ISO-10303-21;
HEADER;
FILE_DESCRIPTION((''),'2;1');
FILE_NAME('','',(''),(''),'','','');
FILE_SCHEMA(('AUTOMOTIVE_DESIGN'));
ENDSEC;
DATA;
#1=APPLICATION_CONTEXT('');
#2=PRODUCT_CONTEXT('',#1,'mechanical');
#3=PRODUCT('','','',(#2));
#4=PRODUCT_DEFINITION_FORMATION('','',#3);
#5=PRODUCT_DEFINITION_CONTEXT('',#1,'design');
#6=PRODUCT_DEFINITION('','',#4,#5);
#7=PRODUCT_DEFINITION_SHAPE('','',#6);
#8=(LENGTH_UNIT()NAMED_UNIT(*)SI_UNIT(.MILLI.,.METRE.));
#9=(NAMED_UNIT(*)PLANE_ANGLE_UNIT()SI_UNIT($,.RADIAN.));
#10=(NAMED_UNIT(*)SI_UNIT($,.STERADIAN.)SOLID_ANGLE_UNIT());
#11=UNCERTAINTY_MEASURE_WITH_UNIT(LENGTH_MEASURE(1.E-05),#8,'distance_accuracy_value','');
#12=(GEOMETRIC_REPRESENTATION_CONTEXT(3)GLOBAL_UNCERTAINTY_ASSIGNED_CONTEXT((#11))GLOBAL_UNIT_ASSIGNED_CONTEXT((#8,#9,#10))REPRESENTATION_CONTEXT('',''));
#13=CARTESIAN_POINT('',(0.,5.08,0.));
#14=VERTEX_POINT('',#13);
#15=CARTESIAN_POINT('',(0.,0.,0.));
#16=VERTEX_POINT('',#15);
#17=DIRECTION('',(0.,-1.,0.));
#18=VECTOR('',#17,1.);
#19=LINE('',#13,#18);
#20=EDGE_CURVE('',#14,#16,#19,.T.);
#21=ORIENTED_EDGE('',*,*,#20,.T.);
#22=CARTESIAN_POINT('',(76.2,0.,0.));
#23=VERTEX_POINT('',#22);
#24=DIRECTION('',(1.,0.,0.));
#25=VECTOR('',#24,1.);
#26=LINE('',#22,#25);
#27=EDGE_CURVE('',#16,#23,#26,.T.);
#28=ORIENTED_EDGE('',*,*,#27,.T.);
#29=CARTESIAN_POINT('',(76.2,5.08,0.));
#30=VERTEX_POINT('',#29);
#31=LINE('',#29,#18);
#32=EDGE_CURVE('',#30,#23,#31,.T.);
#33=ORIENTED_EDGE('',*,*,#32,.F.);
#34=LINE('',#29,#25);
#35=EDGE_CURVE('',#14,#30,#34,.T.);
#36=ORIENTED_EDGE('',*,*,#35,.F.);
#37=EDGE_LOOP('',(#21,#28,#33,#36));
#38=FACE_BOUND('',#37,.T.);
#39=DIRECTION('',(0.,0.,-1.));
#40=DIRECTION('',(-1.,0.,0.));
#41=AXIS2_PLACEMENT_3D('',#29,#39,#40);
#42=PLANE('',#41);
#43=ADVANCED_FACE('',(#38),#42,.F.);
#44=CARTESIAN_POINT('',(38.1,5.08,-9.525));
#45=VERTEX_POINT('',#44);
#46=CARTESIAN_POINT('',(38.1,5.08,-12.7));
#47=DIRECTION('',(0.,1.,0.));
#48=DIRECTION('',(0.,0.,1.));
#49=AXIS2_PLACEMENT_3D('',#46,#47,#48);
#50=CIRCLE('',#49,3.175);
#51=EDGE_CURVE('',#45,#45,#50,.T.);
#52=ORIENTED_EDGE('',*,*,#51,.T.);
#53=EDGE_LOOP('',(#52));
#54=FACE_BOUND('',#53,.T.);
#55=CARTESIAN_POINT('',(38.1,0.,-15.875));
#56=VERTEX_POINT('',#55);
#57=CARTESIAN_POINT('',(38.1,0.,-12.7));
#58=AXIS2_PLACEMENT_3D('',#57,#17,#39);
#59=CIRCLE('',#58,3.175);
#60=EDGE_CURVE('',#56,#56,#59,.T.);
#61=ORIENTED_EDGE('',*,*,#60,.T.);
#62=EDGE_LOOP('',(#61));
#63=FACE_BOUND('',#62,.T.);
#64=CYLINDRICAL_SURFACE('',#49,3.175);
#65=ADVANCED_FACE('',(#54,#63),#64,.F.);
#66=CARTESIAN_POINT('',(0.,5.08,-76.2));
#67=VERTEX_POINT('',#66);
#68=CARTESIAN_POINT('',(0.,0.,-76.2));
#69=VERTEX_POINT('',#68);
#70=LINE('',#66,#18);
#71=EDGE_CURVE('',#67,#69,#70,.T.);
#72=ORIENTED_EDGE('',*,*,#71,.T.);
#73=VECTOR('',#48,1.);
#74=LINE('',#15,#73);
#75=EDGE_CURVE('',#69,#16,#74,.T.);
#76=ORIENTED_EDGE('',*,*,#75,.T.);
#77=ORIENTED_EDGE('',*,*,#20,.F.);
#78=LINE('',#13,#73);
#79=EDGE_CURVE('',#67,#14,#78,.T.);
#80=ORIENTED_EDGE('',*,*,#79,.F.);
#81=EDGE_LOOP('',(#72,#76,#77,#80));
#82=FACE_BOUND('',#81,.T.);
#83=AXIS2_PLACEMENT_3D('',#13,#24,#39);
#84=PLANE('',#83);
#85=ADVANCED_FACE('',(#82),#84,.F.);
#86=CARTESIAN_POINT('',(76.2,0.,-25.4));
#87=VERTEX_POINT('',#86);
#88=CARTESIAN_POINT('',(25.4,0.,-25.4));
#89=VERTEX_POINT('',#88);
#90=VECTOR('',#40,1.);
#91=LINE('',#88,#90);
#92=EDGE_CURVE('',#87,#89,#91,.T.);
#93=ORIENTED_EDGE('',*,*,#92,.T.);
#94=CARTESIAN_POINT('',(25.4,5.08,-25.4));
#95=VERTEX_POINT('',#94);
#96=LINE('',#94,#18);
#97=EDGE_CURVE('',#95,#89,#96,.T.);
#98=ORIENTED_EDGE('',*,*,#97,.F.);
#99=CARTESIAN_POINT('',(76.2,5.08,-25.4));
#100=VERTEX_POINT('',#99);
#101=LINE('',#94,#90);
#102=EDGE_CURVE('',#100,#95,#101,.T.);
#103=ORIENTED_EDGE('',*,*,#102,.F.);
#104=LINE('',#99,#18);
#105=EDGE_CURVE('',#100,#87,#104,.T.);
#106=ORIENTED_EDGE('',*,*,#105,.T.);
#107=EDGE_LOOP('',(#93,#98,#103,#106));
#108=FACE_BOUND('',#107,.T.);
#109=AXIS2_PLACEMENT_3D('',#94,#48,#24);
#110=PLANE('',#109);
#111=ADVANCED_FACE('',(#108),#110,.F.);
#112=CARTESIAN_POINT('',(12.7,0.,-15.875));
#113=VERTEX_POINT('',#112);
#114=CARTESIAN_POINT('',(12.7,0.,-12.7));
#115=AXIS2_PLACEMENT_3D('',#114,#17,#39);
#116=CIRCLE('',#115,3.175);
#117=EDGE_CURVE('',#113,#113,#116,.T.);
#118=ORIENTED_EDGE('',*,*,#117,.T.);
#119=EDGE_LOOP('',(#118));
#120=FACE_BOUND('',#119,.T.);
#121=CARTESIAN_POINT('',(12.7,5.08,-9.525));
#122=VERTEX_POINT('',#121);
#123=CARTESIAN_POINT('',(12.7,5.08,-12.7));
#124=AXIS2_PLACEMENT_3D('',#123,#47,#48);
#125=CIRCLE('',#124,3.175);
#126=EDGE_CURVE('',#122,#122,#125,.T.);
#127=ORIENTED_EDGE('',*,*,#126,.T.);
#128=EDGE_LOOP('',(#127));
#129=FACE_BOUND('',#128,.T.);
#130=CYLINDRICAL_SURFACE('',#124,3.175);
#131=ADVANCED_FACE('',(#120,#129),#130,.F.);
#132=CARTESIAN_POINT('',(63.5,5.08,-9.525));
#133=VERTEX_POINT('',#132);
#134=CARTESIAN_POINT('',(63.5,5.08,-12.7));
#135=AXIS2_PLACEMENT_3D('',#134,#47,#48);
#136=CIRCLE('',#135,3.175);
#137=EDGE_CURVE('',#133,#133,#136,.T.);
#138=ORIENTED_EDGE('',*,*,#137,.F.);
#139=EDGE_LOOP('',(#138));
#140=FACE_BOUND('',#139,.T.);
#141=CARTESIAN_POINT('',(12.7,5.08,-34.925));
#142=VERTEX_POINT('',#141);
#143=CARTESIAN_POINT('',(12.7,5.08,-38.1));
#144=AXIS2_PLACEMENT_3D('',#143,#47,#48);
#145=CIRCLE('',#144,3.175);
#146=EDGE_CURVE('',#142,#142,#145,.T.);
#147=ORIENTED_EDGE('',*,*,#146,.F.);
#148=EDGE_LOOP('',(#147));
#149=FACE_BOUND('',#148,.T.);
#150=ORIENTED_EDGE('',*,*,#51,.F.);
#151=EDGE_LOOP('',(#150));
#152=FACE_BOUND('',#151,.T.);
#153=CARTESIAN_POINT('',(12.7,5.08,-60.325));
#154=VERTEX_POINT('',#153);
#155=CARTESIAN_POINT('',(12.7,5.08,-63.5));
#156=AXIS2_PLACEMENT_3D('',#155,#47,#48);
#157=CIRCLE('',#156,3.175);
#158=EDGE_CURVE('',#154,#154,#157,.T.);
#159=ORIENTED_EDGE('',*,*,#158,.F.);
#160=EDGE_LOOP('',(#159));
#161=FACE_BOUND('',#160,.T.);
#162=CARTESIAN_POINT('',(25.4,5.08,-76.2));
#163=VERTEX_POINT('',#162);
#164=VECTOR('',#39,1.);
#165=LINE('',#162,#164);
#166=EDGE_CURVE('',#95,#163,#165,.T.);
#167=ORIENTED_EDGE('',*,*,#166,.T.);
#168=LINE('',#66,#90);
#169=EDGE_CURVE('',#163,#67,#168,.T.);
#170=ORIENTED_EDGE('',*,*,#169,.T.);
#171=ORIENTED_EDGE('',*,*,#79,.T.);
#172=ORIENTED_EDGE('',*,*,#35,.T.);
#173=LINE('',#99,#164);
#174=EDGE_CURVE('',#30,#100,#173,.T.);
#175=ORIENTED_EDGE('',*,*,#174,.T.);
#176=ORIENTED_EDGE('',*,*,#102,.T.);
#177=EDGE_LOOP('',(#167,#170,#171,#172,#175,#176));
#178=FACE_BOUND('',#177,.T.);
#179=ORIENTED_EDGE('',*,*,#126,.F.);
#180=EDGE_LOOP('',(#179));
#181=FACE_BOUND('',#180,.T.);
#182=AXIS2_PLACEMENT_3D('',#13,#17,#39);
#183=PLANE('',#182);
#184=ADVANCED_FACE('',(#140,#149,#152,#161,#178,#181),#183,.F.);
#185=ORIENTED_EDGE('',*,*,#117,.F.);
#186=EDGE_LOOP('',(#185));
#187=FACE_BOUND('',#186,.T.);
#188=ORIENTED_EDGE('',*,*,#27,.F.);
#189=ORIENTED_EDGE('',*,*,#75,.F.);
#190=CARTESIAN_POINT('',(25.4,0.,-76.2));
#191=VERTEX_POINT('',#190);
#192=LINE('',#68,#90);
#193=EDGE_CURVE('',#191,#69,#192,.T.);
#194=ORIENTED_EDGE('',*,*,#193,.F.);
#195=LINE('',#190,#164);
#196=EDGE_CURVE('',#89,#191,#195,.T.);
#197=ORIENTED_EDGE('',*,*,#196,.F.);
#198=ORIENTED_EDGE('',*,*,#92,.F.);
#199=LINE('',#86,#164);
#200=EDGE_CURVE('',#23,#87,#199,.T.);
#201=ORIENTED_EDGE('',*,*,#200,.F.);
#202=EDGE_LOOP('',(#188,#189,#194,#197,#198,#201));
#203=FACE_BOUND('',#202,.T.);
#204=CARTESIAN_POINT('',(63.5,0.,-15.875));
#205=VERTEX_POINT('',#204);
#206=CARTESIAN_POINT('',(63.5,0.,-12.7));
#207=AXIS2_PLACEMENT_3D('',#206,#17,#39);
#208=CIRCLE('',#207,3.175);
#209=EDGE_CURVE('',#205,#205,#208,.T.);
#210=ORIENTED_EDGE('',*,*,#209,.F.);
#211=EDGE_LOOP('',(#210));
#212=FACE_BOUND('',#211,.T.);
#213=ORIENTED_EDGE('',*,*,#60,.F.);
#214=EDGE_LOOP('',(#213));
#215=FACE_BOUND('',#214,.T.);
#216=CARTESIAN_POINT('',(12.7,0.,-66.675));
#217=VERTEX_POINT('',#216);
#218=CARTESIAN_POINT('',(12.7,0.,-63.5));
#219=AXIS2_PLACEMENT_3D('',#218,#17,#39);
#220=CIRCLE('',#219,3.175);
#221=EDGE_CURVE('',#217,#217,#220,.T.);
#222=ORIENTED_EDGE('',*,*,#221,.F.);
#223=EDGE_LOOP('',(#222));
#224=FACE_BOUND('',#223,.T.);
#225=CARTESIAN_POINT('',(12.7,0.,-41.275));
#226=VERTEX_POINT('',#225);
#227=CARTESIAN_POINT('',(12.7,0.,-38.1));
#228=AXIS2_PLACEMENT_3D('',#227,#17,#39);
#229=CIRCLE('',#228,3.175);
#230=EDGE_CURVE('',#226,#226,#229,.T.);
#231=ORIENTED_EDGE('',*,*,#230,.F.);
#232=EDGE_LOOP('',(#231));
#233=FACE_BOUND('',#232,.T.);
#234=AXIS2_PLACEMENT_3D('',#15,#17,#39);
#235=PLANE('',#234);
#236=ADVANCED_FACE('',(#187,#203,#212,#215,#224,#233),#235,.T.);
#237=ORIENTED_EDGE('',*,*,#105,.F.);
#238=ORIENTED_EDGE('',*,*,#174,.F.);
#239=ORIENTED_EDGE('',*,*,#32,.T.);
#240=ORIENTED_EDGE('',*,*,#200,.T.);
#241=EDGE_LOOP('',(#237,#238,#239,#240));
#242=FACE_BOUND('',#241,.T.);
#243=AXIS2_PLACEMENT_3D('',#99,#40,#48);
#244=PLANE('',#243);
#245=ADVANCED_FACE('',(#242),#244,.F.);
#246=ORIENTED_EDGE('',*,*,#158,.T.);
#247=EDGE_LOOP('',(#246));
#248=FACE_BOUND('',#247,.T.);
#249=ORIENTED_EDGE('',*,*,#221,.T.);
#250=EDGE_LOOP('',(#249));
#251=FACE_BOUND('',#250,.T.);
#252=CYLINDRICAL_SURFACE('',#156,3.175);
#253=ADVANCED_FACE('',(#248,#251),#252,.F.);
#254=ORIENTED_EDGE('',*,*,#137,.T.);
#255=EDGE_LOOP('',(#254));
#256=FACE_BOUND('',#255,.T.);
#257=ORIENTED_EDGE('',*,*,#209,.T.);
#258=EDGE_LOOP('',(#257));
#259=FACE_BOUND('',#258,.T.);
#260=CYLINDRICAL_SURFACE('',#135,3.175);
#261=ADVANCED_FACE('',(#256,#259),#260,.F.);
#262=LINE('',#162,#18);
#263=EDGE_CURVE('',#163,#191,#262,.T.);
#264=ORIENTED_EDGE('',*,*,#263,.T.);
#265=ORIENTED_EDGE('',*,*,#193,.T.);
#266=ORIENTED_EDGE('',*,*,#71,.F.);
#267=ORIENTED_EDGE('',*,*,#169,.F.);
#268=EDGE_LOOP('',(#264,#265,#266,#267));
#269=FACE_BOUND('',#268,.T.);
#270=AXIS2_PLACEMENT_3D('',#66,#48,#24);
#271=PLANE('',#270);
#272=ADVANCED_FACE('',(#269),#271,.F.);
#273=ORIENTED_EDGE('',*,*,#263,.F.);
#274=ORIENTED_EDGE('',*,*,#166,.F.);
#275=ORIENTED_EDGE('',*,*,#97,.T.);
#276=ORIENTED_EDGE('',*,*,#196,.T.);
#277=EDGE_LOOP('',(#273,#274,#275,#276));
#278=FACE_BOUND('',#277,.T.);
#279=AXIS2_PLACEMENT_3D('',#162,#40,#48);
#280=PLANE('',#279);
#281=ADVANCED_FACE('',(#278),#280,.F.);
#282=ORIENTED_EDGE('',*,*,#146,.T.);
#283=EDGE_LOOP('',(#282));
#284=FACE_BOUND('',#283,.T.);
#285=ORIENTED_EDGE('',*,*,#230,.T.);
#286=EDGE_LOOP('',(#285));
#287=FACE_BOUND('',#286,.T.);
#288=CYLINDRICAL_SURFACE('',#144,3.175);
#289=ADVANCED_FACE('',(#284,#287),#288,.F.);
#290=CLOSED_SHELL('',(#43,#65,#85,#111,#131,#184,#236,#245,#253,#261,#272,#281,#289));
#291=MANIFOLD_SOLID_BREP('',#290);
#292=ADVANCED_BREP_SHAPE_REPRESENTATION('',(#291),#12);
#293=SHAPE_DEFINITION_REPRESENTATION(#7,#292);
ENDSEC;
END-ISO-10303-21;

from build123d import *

# Parameters (mm, degrees)
BOSS_EXTRUDE1_DEPTH             = 5.08
F_1_4_0_25_DIAMETER_HOLE1_D     = 6.35
F_1_4_0_25_DIAMETER_HOLE1_DEPTH = 25.4
F_1_4_0_25_DIAMETER_HOLE1_TIP   = 1.907732465


with BuildPart() as part:
    # Sketch1 → Boss-Extrude1 (new body)
    with BuildSketch(Plane(origin=(0, 0, 0), x_dir=(1, 0, 0), z_dir=(0, 1, 0))):
        Polygon((0, 0), (0, 76.2), (25.4, 76.2), (25.4, 25.4), (76.2, 25.4), (76.2, 0), align=None)
    extrude(amount=BOSS_EXTRUDE1_DEPTH)

    # 1/4 (0.25) Diameter Hole1
    with Locations(Plane(origin=(0, 5.08, 0), x_dir=(1, 0, 0), z_dir=(0, 1, 0))):
        with Locations((12.7, 63.5), (12.7, 38.1), (12.7, 12.7), (38.1, 12.7), (63.5, 12.7)):
            Hole(F_1_4_0_25_DIAMETER_HOLE1_D / 2, depth=F_1_4_0_25_DIAMETER_HOLE1_DEPTH)
            with Locations((0, 0, -(F_1_4_0_25_DIAMETER_HOLE1_DEPTH + F_1_4_0_25_DIAMETER_HOLE1_TIP / 2))):  # 118° drill point
                Cone(0, F_1_4_0_25_DIAMETER_HOLE1_D / 2, F_1_4_0_25_DIAMETER_HOLE1_TIP, mode=Mode.SUBTRACT)


solid = part.part
